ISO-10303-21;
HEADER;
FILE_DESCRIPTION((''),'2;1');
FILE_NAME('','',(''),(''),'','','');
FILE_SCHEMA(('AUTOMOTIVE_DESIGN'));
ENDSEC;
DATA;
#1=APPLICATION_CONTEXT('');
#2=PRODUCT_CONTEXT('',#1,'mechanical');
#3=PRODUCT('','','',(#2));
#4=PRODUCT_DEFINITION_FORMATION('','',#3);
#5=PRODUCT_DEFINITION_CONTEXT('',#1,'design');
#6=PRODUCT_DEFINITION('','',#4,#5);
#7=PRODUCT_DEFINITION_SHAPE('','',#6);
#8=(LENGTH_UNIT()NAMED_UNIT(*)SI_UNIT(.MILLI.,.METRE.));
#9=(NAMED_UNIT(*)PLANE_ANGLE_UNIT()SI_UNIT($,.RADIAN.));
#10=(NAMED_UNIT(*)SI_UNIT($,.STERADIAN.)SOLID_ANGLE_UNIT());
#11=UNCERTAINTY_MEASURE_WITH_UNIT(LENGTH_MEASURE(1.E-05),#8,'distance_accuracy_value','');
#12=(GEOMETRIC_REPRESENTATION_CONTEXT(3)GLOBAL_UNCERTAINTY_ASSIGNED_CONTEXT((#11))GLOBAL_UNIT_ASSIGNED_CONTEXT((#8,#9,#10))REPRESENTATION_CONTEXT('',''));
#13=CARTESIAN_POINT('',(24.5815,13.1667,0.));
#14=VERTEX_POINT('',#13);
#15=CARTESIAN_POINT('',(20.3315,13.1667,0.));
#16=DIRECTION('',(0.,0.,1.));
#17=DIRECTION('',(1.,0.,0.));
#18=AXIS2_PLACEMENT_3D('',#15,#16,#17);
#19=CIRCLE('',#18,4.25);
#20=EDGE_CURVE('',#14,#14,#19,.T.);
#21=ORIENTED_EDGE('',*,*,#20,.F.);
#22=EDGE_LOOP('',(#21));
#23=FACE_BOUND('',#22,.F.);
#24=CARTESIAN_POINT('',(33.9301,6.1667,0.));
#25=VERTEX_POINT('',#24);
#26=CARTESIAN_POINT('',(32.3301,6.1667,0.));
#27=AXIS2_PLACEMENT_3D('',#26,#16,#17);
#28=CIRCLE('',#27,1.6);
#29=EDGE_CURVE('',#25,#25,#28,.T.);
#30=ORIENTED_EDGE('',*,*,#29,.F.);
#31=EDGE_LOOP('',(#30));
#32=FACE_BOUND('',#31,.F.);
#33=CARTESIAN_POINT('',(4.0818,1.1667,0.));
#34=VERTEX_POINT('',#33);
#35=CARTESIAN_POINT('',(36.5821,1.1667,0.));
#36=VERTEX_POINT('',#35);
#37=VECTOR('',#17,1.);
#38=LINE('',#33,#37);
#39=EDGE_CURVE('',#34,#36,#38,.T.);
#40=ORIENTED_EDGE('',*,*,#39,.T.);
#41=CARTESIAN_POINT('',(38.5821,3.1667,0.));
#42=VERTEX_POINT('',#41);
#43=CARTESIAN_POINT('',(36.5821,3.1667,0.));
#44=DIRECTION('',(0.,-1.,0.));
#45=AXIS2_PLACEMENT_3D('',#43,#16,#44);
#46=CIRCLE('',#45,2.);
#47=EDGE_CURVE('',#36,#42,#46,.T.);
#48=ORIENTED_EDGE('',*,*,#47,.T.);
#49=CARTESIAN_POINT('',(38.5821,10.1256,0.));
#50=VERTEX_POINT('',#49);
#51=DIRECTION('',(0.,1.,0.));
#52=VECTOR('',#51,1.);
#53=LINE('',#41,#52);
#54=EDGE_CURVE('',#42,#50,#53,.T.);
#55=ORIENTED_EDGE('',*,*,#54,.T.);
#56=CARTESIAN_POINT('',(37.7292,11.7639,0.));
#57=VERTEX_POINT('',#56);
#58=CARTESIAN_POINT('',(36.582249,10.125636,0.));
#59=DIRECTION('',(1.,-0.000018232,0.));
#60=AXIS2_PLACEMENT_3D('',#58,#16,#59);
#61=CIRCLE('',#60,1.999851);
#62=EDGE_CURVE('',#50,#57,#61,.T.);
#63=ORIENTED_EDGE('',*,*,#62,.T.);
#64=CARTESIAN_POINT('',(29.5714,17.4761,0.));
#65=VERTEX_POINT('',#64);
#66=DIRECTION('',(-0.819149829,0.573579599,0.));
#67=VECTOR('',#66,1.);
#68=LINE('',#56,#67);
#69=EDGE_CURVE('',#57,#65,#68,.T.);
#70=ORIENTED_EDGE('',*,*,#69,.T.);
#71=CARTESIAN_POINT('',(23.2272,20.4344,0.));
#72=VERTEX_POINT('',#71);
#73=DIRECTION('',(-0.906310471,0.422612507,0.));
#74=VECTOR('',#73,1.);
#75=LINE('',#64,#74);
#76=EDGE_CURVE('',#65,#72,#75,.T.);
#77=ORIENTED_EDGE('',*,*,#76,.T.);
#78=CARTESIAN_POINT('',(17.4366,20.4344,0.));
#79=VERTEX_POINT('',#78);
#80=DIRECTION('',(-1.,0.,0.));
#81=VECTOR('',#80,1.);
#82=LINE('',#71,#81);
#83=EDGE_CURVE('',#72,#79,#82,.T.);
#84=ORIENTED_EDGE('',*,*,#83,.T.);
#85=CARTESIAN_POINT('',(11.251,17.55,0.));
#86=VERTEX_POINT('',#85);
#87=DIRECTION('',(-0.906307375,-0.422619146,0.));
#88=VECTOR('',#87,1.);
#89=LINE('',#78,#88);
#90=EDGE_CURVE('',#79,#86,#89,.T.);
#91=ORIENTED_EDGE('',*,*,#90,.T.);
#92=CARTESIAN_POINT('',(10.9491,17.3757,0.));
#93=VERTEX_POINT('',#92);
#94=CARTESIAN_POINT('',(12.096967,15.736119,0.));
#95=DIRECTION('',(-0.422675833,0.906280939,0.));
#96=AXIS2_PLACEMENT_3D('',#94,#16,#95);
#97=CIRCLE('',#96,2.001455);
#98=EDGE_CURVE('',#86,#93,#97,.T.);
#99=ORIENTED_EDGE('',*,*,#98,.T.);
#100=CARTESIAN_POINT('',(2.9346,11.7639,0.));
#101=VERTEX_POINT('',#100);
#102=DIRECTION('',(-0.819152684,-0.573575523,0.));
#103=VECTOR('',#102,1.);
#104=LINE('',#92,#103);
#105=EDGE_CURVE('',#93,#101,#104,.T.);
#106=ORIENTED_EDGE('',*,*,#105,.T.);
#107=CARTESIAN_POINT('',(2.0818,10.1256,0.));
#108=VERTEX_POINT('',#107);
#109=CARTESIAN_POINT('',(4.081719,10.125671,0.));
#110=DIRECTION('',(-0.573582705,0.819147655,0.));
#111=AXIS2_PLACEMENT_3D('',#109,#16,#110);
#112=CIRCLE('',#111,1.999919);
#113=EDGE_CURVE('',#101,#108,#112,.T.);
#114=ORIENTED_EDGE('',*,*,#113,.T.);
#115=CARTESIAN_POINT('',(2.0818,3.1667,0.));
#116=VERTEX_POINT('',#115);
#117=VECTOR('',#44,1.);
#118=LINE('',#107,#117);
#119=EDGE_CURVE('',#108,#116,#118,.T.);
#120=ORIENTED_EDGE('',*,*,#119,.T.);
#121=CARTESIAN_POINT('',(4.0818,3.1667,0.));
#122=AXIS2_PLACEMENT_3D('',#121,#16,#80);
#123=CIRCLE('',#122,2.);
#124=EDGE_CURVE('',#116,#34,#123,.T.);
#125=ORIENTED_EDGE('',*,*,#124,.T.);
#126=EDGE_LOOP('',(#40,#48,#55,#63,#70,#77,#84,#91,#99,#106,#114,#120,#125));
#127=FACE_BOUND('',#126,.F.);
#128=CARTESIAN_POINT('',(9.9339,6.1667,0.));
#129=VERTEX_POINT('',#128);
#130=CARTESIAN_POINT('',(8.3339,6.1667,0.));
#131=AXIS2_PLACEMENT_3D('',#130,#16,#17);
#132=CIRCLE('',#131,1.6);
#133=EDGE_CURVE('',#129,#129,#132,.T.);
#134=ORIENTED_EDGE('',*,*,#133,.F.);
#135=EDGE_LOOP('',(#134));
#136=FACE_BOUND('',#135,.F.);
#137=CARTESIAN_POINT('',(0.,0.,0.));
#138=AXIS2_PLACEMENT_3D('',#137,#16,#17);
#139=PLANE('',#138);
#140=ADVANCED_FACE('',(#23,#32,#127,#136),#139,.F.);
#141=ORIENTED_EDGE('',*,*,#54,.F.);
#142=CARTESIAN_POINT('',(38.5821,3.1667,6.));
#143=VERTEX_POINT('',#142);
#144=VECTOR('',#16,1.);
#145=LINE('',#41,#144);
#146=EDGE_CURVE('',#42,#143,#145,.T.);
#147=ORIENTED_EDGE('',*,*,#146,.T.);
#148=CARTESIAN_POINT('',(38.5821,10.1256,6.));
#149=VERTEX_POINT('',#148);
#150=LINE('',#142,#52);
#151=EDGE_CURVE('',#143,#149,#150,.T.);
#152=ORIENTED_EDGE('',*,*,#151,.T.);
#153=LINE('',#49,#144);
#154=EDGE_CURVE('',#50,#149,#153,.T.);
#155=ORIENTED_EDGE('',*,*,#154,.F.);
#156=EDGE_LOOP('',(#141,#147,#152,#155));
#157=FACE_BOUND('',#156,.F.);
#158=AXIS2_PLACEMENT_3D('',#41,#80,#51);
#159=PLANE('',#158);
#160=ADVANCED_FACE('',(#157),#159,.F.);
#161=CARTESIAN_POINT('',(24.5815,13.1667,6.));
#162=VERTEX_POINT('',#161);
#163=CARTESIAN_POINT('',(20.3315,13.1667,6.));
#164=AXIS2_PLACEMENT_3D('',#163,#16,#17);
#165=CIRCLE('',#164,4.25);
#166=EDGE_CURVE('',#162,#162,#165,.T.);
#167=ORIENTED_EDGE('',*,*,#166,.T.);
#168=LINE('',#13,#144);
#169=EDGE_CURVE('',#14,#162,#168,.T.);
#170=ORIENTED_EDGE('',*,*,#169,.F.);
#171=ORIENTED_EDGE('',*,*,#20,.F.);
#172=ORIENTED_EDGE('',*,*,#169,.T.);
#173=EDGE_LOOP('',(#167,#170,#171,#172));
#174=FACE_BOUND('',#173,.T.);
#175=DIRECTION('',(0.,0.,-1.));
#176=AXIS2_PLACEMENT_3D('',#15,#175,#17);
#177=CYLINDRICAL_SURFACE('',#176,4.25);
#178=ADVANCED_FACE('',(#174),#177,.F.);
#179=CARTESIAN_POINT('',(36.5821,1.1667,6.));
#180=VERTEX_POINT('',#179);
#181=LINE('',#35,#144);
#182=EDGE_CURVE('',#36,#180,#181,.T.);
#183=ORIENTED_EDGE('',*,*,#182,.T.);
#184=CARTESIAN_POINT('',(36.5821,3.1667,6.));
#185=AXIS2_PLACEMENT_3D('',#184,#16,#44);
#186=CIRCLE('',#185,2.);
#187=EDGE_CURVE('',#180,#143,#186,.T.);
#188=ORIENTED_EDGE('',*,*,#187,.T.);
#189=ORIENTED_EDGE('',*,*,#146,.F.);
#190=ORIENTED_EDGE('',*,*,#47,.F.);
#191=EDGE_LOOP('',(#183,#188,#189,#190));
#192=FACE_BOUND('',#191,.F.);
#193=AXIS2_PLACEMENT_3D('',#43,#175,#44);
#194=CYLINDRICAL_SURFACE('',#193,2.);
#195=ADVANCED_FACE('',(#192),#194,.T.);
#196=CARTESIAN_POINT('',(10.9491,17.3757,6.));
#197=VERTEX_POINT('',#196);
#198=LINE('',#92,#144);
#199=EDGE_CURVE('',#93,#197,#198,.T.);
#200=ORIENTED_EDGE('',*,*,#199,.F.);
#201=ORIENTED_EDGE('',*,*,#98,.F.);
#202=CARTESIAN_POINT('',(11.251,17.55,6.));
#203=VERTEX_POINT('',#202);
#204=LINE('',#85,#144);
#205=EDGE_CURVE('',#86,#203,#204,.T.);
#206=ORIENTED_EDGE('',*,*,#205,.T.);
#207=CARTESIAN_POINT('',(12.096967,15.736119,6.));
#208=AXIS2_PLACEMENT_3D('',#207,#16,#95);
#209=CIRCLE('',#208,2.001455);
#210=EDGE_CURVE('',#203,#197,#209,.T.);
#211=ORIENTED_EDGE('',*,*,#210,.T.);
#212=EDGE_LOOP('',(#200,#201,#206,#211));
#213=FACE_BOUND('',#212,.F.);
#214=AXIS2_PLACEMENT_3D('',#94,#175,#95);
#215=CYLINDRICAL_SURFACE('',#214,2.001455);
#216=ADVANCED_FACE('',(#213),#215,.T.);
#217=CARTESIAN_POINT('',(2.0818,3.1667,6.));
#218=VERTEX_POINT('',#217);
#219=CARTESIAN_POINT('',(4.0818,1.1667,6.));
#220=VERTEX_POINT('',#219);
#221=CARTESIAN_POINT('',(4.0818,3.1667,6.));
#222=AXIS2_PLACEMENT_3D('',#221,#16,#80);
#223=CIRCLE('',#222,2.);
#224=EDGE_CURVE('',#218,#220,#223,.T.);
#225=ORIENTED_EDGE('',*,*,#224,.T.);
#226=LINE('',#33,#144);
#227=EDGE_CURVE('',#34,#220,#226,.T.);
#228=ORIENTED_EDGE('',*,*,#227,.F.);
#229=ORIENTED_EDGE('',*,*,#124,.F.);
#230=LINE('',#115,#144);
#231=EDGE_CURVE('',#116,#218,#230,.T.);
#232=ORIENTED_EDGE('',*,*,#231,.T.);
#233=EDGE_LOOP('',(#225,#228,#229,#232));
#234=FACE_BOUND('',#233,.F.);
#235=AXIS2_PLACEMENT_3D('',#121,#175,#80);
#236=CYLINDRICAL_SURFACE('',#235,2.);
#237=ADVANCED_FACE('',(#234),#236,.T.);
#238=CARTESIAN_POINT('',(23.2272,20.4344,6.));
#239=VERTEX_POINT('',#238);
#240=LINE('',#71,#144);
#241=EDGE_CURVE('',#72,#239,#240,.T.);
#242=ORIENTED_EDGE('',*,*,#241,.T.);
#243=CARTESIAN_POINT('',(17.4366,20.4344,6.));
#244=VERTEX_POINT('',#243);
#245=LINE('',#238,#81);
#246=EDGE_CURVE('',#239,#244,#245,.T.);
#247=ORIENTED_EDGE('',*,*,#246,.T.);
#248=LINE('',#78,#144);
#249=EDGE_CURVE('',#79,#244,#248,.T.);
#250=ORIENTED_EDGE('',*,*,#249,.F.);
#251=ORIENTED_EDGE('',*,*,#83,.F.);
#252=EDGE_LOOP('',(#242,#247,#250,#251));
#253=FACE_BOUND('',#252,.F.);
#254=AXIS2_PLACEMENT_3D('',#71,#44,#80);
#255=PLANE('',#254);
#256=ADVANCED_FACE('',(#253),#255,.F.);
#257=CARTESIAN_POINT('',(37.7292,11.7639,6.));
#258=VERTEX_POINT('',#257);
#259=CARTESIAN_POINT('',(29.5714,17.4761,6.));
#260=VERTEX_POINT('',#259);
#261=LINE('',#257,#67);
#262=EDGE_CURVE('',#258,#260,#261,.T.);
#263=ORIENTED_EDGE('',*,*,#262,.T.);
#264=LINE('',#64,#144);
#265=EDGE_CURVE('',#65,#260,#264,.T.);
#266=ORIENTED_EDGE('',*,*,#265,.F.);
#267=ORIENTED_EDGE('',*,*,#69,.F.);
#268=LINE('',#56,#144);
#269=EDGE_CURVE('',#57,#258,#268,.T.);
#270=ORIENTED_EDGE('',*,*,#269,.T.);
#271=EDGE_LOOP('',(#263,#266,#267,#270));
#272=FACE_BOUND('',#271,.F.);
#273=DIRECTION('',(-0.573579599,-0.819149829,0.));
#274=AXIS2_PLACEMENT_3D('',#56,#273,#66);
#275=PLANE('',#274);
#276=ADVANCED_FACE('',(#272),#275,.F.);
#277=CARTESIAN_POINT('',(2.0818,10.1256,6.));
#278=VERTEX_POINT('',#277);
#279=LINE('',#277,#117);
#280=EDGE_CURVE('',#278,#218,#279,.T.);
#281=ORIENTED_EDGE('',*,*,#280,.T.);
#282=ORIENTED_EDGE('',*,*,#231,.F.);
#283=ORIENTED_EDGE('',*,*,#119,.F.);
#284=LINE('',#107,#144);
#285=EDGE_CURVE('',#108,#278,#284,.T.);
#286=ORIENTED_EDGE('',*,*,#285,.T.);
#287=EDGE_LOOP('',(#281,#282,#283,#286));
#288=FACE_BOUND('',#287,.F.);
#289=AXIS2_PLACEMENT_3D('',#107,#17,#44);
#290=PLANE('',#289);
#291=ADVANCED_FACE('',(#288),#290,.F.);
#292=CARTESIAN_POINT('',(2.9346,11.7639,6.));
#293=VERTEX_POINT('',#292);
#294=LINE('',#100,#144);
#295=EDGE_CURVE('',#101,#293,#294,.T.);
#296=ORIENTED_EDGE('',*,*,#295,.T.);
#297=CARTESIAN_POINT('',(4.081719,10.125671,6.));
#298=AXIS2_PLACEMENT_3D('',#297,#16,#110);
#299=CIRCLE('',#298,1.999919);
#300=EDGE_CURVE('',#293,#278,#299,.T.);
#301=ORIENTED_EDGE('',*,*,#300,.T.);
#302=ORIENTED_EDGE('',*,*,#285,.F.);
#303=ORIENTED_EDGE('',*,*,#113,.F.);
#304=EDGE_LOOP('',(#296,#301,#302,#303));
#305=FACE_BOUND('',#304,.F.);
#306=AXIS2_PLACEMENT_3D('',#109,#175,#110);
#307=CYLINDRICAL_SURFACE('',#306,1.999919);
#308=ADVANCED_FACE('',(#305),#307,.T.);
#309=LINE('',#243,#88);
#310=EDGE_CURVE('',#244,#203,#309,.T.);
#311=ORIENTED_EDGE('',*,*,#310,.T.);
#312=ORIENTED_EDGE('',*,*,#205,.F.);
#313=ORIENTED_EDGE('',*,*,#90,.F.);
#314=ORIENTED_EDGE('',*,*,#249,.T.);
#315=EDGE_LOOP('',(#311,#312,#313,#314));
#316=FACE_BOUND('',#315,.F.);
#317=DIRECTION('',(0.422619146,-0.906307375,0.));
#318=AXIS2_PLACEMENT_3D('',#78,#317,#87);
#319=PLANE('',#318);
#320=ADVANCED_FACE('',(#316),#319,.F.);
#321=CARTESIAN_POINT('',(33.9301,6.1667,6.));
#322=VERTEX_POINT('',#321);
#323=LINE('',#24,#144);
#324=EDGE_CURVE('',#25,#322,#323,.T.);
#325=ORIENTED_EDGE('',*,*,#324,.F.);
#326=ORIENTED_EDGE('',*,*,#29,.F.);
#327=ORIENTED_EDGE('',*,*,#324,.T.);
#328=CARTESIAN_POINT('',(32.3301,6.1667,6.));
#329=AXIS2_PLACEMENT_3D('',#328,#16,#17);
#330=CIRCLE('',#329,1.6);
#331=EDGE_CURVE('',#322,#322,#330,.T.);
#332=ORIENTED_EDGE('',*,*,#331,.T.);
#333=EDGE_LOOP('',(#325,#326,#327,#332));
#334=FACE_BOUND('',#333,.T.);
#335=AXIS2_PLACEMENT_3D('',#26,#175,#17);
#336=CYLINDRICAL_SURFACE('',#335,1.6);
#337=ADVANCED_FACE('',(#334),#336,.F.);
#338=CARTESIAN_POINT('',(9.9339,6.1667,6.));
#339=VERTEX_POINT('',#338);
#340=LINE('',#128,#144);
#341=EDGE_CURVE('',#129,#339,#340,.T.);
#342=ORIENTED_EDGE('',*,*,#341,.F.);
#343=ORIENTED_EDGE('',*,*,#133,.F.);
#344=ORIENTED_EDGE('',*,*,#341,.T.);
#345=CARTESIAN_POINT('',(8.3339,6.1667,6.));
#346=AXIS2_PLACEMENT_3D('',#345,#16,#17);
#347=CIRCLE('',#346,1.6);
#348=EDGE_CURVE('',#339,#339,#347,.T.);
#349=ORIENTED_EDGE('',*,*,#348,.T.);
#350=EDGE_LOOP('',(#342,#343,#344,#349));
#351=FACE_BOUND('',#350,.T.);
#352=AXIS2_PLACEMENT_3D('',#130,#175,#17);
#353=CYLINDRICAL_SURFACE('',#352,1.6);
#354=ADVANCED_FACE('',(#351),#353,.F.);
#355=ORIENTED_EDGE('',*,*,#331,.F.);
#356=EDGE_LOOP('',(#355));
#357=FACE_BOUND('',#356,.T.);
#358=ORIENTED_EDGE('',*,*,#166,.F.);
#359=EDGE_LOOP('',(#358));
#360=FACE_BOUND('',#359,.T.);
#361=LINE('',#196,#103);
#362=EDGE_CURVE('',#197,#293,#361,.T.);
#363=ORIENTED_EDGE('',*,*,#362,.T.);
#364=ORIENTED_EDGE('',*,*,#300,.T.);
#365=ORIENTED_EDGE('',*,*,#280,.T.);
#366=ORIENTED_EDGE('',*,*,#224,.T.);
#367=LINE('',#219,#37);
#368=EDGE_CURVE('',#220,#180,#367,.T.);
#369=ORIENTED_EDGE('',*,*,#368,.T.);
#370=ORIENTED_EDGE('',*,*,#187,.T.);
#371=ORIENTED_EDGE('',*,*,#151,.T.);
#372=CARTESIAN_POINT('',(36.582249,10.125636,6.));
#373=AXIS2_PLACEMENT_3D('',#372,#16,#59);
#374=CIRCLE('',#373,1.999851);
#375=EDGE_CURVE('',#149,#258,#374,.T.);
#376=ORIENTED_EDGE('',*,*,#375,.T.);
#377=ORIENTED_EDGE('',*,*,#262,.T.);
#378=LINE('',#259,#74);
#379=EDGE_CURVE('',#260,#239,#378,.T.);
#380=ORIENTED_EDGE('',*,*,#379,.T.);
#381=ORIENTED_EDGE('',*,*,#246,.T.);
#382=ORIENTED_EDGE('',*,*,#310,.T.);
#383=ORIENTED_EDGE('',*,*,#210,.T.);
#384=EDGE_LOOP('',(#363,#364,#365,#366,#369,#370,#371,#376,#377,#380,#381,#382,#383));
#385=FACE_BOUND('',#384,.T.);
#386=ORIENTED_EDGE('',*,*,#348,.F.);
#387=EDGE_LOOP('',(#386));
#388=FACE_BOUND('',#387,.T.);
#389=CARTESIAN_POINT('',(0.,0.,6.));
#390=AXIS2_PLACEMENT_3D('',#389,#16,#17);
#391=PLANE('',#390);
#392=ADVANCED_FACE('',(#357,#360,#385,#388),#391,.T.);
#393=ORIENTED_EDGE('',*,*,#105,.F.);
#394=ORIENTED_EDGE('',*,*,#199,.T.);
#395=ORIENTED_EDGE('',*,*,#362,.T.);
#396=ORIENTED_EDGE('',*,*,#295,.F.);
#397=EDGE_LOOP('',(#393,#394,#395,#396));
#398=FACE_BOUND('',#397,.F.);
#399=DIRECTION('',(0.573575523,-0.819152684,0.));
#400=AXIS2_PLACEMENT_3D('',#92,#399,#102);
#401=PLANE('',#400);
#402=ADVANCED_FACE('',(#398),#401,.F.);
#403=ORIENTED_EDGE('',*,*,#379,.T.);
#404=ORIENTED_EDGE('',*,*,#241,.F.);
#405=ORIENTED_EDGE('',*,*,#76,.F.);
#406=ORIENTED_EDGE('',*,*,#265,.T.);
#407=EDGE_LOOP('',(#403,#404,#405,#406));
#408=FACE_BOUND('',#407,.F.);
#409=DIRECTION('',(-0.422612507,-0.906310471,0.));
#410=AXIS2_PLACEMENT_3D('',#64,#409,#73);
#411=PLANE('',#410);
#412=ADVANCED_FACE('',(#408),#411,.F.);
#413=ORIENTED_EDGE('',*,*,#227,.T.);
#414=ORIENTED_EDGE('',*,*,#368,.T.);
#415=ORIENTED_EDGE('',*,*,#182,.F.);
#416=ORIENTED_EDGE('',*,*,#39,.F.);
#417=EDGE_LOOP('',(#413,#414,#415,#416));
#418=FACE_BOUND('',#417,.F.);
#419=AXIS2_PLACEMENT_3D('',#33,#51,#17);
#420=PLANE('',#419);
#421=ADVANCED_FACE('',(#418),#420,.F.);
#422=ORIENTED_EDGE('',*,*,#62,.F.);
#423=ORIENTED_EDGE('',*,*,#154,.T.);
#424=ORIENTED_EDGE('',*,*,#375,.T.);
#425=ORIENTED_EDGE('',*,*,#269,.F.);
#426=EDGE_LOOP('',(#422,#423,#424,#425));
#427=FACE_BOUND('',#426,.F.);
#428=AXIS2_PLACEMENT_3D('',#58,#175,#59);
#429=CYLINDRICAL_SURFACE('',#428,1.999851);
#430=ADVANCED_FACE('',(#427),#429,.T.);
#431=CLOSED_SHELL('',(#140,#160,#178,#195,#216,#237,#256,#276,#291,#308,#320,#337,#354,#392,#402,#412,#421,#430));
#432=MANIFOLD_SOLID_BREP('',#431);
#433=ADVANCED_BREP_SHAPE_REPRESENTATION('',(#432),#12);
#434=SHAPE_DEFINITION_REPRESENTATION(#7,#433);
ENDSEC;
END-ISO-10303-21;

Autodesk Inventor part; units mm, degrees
ref_plane "YZ Plane" through (0, 0, 0) normal (1, 0, 0) x (0, 1, 0)
ref_plane "XZ Plane" through (0, 0, 0) normal (0, 1, 0) x (-1, 0, 0)
ref_plane "XY Plane" through (0, 0, 0) normal (0, 0, 1) x (1, 0, 0)
sketch "Sketch1" plane through (0, 0, 0) normal (0, 0, 1) x (1, 0, 0)
  line L0 (37.7292, 11.7639) -> (29.5714, 17.4761)
  line L1 (29.5714, 17.4761) -> (23.2272, 20.4344)
  line L2 (23.2272, 20.4344) -> (17.4366, 20.4344)
  line L3 (17.4366, 20.4344) -> (11.251, 17.55)
  arc A0 (11.251, 17.55) -> (10.9491, 17.3757) centre (12.0963, 15.7374) ccw
  line L4 (10.9491, 17.3757) -> (2.9346, 11.7639)
  arc A1 (2.9346, 11.7639) -> (2.0818, 10.1256) centre (4.0818, 10.1256) ccw
  line L5 (2.0818, 10.1256) -> (2.0818, 3.1667)
  arc A2 (2.0818, 3.1667) -> (4.0818, 1.1667) centre (4.0818, 3.1667) ccw
  line L6 (4.0818, 1.1667) -> (36.5821, 1.1667)
  arc A3 (36.5821, 1.1667) -> (38.5821, 3.1667) centre (36.5821, 3.1667) ccw
  line L7 (38.5821, 3.1667) -> (38.5821, 10.1256)
  arc A4 (38.5821, 10.1256) -> (37.7292, 11.7639) centre (36.5821, 10.1256) ccw
  circle A5 centre (8.3339, 6.1667) radius 1.6
  circle A6 centre (32.3301, 6.1667) radius 1.6
  circle A7 centre (20.3315, 13.1667) radius 4.25
  point P0 (0, 0)
extrude "Extrusion1" add sketch "Sketch1" along normal blind 6
thread "Thread1" size "M9x1.25" class "6H" standard "ANSI Metric M Profile" full length
properties part number "pshfit-mount-acrylic"
